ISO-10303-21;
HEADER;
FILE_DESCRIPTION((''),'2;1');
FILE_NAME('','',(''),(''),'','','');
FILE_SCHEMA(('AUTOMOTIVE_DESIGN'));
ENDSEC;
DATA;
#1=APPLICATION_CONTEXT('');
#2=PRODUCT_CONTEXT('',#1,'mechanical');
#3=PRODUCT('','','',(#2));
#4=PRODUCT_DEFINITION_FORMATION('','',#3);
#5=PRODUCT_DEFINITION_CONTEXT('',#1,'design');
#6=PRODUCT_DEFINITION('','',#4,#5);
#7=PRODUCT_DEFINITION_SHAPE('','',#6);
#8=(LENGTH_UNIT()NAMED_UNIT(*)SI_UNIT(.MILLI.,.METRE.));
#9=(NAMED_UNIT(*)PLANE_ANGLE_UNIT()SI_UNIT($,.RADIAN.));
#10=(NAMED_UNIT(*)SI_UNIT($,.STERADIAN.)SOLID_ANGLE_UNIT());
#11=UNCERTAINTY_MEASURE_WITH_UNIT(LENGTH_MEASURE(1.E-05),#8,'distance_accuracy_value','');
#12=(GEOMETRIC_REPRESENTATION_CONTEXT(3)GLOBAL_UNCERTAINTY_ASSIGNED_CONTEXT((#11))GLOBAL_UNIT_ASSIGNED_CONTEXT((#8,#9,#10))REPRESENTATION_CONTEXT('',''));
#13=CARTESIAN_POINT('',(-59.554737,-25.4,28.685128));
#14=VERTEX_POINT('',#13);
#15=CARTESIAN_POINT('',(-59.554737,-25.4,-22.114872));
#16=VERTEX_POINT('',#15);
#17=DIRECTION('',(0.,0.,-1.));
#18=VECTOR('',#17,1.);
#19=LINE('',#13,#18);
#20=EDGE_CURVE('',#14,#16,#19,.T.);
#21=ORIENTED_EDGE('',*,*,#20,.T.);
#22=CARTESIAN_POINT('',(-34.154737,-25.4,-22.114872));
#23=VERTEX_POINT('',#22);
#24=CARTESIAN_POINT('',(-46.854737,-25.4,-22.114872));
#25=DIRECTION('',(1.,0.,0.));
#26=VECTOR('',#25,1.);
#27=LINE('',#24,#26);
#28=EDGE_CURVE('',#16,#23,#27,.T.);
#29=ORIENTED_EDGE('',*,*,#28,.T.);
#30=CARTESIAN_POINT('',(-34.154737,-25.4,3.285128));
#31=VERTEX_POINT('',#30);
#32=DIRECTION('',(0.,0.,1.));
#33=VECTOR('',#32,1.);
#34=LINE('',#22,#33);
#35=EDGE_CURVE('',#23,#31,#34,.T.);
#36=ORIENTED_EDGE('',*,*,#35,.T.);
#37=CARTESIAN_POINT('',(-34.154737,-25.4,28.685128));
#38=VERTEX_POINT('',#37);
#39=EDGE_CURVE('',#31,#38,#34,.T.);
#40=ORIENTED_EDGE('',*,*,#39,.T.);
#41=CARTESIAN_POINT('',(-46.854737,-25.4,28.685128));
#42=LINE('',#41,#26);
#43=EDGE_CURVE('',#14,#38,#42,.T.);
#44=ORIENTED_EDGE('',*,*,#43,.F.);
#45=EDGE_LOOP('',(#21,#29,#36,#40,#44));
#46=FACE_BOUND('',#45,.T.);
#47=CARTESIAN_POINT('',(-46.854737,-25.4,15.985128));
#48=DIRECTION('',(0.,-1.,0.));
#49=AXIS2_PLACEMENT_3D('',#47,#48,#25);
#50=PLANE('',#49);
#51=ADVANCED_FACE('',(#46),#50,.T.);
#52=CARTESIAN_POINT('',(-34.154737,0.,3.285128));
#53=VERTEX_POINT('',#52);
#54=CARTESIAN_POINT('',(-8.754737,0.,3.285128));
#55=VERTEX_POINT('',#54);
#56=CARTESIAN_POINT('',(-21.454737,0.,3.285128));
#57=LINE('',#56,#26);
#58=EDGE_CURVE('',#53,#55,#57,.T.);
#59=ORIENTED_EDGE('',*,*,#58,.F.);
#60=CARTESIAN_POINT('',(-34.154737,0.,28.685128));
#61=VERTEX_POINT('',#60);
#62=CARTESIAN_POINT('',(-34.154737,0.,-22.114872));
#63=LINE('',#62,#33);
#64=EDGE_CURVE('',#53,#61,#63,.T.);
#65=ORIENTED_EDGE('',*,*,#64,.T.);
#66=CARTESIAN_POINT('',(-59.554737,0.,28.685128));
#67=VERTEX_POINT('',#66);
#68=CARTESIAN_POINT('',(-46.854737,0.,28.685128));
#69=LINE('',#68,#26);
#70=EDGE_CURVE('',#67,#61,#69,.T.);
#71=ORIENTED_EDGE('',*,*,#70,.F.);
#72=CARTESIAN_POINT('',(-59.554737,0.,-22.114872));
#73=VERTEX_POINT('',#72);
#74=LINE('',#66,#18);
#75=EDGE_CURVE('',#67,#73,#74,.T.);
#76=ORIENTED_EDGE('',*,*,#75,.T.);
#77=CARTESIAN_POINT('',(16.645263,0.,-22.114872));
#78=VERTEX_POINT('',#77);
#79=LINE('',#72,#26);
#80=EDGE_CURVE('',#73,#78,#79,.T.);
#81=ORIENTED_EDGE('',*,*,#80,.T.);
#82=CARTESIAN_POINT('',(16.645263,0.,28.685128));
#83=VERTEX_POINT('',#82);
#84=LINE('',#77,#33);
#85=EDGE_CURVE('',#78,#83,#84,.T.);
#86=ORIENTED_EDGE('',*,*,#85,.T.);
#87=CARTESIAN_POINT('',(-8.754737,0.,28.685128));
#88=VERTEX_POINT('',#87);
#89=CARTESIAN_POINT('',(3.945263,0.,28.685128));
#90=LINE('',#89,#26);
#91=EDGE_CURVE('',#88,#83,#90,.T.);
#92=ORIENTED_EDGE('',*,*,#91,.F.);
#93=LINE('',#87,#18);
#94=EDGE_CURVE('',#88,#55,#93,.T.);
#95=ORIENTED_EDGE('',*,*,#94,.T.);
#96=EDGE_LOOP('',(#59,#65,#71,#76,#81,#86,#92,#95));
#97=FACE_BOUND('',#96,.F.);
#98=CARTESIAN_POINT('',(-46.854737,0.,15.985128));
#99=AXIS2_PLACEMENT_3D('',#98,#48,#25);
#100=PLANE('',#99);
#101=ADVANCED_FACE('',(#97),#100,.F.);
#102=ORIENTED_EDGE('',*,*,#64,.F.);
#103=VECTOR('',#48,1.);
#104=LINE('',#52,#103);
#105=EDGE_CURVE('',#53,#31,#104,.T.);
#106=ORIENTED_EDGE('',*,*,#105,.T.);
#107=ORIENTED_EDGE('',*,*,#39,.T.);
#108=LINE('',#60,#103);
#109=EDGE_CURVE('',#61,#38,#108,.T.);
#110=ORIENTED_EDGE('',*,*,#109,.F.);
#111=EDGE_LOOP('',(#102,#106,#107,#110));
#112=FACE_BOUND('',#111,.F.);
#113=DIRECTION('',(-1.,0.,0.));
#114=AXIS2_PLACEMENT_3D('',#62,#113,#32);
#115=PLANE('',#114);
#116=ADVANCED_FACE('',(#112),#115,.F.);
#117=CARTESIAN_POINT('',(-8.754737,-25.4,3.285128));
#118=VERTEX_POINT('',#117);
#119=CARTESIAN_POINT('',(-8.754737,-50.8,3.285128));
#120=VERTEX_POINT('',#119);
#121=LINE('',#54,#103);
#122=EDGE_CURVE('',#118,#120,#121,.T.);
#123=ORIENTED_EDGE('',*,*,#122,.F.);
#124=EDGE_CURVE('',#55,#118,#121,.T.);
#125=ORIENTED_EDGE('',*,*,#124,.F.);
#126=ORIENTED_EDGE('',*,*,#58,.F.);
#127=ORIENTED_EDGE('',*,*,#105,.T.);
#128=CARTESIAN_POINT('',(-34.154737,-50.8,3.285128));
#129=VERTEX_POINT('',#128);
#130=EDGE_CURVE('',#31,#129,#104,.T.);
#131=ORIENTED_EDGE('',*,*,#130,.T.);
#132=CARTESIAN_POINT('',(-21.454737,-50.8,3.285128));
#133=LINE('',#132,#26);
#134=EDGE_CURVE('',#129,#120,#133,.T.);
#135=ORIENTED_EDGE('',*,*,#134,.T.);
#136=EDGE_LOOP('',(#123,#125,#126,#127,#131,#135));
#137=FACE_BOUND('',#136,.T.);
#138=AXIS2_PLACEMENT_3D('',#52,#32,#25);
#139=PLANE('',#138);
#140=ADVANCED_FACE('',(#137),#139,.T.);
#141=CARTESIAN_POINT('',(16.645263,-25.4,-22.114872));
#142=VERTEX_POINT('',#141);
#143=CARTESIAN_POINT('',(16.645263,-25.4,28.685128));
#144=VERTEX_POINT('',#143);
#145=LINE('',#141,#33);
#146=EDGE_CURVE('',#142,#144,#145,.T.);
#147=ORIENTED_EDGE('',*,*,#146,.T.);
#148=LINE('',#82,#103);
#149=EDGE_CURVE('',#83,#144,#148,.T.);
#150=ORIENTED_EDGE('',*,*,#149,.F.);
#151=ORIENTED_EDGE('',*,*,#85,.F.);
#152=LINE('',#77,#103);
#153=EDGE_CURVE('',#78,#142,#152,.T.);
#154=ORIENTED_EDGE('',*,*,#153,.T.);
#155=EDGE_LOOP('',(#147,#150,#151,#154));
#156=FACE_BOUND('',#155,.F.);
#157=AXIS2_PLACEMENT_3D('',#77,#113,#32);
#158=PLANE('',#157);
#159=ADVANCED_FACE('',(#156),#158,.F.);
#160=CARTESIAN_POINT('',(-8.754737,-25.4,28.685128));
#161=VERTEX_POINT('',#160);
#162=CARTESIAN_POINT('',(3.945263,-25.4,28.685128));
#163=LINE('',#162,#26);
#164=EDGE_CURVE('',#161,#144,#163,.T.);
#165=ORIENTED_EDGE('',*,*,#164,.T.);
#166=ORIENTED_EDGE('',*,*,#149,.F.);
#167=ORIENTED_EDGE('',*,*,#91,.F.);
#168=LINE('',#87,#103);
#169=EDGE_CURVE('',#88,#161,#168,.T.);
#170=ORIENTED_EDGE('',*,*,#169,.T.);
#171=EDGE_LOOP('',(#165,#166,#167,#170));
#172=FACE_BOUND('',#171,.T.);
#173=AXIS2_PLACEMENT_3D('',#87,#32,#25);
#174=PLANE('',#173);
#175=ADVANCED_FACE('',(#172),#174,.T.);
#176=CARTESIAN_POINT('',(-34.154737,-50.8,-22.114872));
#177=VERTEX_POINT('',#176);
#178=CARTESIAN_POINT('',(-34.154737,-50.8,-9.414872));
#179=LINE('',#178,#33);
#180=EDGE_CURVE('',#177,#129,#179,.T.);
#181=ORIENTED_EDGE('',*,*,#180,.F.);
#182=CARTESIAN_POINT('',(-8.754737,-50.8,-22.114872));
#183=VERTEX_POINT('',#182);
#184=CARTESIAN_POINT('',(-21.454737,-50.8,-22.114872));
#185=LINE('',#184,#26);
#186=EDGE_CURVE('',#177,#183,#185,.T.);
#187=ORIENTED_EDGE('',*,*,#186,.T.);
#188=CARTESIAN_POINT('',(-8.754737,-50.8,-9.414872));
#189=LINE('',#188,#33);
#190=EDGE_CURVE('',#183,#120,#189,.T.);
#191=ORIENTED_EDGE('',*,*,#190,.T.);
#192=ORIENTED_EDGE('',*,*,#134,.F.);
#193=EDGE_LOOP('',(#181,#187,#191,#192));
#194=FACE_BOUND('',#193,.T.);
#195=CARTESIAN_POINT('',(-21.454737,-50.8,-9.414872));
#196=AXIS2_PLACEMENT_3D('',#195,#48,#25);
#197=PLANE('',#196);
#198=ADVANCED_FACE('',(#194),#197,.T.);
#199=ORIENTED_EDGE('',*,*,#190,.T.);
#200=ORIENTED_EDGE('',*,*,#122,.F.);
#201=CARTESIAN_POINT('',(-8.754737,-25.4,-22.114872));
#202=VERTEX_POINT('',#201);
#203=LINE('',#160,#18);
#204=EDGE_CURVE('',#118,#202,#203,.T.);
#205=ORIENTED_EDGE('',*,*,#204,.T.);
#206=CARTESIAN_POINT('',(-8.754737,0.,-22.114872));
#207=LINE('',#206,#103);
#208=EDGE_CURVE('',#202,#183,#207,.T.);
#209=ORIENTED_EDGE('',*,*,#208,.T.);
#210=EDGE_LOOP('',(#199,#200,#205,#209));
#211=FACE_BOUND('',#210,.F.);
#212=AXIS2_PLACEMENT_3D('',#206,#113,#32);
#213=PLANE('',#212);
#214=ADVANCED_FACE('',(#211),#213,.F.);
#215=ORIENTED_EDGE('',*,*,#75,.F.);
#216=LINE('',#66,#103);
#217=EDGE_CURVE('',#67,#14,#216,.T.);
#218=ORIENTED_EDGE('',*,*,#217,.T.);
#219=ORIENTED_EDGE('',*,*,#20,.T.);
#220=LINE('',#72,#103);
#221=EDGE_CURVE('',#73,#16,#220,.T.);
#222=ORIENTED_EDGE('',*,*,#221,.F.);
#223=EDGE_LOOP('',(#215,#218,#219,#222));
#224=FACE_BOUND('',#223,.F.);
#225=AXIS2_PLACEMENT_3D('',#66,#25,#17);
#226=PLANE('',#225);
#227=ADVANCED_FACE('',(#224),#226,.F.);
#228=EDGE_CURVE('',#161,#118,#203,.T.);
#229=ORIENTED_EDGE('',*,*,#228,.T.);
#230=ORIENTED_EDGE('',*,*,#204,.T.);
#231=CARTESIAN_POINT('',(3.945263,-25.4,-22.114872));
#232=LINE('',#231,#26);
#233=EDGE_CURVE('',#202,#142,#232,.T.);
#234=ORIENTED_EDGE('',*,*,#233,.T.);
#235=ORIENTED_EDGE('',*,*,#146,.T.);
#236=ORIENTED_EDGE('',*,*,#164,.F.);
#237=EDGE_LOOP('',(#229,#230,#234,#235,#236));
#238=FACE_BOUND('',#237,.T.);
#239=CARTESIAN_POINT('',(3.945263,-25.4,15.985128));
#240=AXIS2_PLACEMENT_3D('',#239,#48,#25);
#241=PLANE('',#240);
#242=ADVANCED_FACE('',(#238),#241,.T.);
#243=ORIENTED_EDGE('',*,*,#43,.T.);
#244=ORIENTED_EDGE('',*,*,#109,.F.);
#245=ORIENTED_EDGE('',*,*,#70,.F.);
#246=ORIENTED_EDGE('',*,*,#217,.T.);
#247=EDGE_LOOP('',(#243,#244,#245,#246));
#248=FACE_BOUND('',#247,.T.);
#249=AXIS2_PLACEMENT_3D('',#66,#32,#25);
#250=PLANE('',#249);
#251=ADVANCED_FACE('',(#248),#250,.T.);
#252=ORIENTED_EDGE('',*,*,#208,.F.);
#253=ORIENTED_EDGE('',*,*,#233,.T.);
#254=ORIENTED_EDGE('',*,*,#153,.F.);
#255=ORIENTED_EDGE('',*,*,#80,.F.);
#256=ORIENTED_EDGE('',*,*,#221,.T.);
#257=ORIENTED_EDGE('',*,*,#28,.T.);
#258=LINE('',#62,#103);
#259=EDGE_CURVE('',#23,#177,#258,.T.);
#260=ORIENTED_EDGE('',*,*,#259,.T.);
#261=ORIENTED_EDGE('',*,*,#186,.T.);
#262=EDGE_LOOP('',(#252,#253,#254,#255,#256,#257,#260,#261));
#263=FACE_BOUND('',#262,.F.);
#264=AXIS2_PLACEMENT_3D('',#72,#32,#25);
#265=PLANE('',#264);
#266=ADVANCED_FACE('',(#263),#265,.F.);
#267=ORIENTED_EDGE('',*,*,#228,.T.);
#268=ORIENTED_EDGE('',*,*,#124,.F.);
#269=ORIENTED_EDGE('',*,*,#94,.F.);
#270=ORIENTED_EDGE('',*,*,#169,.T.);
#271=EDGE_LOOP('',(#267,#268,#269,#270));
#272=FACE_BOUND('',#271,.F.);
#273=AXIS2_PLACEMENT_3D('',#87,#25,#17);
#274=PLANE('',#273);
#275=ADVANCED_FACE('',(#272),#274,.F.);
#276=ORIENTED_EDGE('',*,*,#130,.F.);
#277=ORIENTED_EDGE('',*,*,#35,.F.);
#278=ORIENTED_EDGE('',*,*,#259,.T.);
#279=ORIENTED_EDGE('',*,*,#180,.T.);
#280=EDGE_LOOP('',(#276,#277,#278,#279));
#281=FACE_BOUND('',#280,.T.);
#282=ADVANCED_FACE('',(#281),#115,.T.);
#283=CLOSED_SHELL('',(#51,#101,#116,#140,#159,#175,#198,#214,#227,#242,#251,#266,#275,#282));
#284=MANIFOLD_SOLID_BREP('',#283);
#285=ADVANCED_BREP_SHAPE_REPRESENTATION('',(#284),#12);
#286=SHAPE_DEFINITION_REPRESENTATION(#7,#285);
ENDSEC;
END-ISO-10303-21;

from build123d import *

# Parameters (mm, degrees)
F0_W     = 25.4
F0_H     = 25.4
F1_DEPTH = 50.8
F2_DEPTH = 25.4


with BuildPart() as f1:
    # F0 (on Front) → F1 (new body)
    with BuildSketch(Plane.XZ):
        with Locations((-21.454737, -9.414872)):
            Rectangle(F0_W, F0_H)
    extrude(amount=F1_DEPTH)

    # F0 (on Front) → F2 (join)
    with BuildSketch(Plane.XZ):
        with Locations((-46.854737, 15.985128)):
            Rectangle(F0_W, F0_H)
        with Locations((-46.854737, -9.414872)):
            Rectangle(F0_W, F0_H)
        with Locations((3.945263, 15.985128)):
            Rectangle(F0_W, F0_H)
        with Locations((3.945263, -9.414872)):
            Rectangle(F0_W, F0_H)
    extrude(amount=F2_DEPTH)


solid = f1.part
